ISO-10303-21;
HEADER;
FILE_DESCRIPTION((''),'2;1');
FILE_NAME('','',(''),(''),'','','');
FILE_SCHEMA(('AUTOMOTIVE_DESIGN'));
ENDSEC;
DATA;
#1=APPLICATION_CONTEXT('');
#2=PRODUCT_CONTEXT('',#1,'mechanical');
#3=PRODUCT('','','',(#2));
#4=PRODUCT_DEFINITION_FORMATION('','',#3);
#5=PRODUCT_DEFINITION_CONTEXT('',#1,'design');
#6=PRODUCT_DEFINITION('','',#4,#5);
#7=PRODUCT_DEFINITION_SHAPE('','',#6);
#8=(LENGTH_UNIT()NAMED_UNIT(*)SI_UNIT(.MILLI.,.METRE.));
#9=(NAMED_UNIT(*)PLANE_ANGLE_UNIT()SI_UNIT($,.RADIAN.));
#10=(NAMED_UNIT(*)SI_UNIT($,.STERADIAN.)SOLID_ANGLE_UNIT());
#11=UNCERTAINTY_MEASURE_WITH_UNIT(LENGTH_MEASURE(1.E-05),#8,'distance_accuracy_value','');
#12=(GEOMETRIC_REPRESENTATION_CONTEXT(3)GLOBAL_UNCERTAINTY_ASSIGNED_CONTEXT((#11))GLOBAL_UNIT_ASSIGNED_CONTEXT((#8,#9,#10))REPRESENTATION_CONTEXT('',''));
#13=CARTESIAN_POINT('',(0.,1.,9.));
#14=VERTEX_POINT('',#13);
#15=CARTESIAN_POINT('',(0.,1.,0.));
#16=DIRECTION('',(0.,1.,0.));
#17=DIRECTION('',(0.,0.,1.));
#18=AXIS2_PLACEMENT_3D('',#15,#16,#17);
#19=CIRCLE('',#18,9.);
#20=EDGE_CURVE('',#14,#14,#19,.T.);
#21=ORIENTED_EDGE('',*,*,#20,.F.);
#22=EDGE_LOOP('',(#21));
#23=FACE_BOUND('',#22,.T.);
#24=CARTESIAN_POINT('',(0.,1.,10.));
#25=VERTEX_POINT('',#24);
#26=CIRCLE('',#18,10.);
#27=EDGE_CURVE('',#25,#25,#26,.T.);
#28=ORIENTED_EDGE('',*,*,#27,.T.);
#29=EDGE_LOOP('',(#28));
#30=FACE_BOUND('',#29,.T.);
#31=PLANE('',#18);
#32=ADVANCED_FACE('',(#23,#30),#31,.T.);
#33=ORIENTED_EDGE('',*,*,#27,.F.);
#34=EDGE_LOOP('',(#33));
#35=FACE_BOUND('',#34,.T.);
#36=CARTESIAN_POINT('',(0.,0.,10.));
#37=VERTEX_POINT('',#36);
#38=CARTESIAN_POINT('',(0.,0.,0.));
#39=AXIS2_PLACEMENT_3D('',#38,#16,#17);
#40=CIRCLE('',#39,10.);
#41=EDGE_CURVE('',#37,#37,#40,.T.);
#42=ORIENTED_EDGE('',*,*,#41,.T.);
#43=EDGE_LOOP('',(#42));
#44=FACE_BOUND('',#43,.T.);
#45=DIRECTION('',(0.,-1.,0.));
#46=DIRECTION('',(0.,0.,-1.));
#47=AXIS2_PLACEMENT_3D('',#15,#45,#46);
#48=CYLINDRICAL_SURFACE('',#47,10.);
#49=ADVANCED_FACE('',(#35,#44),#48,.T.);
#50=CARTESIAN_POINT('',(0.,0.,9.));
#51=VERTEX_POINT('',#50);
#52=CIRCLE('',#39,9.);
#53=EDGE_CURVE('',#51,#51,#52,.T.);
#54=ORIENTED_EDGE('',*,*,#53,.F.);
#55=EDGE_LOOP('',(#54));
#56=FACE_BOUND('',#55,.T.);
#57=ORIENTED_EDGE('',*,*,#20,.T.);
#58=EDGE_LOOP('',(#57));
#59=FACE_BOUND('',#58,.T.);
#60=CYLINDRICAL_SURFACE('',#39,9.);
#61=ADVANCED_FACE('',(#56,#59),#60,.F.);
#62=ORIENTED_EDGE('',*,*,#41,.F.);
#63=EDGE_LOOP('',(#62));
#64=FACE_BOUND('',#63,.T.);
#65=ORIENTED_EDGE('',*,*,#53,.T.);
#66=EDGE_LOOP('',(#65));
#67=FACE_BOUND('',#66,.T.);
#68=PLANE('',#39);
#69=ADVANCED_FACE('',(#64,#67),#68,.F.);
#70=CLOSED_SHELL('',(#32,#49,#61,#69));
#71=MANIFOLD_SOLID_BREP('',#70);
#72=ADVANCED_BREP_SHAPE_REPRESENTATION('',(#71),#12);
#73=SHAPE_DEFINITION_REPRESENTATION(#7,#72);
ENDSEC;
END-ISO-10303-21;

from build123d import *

# Parameters (mm, degrees)
IZIM1_R                     = 10
Y_KSEKLIK_EKSTR_ZYON1_DEPTH = 1
IZIM2_R                     = 9
KES_EKSTR_ZYON1_DEPTH       = 1


with BuildPart() as part:
    # Çizim1 → Yükseklik-Ekstrüzyon1 (new body)
    with BuildSketch(Plane(origin=(0, 0, 0), x_dir=(1, 0, 0), z_dir=(0, 1, 0))):
        with Locations(Location((0, 0, 0), (0, 0, 270))):
            Circle(IZIM1_R)
    extrude(amount=Y_KSEKLIK_EKSTR_ZYON1_DEPTH)

    # Çizim2 → Kes-Ekstrüzyon1 (cut)
    with BuildSketch(Plane(origin=(0, 1, 0), x_dir=(1, 0, 0), z_dir=(0, 1, 0))):
        with Locations(Location((0, 0, 0), (0, 0, 270))):
            Circle(IZIM2_R)
    extrude(amount=-KES_EKSTR_ZYON1_DEPTH, mode=Mode.SUBTRACT)


solid = part.part
